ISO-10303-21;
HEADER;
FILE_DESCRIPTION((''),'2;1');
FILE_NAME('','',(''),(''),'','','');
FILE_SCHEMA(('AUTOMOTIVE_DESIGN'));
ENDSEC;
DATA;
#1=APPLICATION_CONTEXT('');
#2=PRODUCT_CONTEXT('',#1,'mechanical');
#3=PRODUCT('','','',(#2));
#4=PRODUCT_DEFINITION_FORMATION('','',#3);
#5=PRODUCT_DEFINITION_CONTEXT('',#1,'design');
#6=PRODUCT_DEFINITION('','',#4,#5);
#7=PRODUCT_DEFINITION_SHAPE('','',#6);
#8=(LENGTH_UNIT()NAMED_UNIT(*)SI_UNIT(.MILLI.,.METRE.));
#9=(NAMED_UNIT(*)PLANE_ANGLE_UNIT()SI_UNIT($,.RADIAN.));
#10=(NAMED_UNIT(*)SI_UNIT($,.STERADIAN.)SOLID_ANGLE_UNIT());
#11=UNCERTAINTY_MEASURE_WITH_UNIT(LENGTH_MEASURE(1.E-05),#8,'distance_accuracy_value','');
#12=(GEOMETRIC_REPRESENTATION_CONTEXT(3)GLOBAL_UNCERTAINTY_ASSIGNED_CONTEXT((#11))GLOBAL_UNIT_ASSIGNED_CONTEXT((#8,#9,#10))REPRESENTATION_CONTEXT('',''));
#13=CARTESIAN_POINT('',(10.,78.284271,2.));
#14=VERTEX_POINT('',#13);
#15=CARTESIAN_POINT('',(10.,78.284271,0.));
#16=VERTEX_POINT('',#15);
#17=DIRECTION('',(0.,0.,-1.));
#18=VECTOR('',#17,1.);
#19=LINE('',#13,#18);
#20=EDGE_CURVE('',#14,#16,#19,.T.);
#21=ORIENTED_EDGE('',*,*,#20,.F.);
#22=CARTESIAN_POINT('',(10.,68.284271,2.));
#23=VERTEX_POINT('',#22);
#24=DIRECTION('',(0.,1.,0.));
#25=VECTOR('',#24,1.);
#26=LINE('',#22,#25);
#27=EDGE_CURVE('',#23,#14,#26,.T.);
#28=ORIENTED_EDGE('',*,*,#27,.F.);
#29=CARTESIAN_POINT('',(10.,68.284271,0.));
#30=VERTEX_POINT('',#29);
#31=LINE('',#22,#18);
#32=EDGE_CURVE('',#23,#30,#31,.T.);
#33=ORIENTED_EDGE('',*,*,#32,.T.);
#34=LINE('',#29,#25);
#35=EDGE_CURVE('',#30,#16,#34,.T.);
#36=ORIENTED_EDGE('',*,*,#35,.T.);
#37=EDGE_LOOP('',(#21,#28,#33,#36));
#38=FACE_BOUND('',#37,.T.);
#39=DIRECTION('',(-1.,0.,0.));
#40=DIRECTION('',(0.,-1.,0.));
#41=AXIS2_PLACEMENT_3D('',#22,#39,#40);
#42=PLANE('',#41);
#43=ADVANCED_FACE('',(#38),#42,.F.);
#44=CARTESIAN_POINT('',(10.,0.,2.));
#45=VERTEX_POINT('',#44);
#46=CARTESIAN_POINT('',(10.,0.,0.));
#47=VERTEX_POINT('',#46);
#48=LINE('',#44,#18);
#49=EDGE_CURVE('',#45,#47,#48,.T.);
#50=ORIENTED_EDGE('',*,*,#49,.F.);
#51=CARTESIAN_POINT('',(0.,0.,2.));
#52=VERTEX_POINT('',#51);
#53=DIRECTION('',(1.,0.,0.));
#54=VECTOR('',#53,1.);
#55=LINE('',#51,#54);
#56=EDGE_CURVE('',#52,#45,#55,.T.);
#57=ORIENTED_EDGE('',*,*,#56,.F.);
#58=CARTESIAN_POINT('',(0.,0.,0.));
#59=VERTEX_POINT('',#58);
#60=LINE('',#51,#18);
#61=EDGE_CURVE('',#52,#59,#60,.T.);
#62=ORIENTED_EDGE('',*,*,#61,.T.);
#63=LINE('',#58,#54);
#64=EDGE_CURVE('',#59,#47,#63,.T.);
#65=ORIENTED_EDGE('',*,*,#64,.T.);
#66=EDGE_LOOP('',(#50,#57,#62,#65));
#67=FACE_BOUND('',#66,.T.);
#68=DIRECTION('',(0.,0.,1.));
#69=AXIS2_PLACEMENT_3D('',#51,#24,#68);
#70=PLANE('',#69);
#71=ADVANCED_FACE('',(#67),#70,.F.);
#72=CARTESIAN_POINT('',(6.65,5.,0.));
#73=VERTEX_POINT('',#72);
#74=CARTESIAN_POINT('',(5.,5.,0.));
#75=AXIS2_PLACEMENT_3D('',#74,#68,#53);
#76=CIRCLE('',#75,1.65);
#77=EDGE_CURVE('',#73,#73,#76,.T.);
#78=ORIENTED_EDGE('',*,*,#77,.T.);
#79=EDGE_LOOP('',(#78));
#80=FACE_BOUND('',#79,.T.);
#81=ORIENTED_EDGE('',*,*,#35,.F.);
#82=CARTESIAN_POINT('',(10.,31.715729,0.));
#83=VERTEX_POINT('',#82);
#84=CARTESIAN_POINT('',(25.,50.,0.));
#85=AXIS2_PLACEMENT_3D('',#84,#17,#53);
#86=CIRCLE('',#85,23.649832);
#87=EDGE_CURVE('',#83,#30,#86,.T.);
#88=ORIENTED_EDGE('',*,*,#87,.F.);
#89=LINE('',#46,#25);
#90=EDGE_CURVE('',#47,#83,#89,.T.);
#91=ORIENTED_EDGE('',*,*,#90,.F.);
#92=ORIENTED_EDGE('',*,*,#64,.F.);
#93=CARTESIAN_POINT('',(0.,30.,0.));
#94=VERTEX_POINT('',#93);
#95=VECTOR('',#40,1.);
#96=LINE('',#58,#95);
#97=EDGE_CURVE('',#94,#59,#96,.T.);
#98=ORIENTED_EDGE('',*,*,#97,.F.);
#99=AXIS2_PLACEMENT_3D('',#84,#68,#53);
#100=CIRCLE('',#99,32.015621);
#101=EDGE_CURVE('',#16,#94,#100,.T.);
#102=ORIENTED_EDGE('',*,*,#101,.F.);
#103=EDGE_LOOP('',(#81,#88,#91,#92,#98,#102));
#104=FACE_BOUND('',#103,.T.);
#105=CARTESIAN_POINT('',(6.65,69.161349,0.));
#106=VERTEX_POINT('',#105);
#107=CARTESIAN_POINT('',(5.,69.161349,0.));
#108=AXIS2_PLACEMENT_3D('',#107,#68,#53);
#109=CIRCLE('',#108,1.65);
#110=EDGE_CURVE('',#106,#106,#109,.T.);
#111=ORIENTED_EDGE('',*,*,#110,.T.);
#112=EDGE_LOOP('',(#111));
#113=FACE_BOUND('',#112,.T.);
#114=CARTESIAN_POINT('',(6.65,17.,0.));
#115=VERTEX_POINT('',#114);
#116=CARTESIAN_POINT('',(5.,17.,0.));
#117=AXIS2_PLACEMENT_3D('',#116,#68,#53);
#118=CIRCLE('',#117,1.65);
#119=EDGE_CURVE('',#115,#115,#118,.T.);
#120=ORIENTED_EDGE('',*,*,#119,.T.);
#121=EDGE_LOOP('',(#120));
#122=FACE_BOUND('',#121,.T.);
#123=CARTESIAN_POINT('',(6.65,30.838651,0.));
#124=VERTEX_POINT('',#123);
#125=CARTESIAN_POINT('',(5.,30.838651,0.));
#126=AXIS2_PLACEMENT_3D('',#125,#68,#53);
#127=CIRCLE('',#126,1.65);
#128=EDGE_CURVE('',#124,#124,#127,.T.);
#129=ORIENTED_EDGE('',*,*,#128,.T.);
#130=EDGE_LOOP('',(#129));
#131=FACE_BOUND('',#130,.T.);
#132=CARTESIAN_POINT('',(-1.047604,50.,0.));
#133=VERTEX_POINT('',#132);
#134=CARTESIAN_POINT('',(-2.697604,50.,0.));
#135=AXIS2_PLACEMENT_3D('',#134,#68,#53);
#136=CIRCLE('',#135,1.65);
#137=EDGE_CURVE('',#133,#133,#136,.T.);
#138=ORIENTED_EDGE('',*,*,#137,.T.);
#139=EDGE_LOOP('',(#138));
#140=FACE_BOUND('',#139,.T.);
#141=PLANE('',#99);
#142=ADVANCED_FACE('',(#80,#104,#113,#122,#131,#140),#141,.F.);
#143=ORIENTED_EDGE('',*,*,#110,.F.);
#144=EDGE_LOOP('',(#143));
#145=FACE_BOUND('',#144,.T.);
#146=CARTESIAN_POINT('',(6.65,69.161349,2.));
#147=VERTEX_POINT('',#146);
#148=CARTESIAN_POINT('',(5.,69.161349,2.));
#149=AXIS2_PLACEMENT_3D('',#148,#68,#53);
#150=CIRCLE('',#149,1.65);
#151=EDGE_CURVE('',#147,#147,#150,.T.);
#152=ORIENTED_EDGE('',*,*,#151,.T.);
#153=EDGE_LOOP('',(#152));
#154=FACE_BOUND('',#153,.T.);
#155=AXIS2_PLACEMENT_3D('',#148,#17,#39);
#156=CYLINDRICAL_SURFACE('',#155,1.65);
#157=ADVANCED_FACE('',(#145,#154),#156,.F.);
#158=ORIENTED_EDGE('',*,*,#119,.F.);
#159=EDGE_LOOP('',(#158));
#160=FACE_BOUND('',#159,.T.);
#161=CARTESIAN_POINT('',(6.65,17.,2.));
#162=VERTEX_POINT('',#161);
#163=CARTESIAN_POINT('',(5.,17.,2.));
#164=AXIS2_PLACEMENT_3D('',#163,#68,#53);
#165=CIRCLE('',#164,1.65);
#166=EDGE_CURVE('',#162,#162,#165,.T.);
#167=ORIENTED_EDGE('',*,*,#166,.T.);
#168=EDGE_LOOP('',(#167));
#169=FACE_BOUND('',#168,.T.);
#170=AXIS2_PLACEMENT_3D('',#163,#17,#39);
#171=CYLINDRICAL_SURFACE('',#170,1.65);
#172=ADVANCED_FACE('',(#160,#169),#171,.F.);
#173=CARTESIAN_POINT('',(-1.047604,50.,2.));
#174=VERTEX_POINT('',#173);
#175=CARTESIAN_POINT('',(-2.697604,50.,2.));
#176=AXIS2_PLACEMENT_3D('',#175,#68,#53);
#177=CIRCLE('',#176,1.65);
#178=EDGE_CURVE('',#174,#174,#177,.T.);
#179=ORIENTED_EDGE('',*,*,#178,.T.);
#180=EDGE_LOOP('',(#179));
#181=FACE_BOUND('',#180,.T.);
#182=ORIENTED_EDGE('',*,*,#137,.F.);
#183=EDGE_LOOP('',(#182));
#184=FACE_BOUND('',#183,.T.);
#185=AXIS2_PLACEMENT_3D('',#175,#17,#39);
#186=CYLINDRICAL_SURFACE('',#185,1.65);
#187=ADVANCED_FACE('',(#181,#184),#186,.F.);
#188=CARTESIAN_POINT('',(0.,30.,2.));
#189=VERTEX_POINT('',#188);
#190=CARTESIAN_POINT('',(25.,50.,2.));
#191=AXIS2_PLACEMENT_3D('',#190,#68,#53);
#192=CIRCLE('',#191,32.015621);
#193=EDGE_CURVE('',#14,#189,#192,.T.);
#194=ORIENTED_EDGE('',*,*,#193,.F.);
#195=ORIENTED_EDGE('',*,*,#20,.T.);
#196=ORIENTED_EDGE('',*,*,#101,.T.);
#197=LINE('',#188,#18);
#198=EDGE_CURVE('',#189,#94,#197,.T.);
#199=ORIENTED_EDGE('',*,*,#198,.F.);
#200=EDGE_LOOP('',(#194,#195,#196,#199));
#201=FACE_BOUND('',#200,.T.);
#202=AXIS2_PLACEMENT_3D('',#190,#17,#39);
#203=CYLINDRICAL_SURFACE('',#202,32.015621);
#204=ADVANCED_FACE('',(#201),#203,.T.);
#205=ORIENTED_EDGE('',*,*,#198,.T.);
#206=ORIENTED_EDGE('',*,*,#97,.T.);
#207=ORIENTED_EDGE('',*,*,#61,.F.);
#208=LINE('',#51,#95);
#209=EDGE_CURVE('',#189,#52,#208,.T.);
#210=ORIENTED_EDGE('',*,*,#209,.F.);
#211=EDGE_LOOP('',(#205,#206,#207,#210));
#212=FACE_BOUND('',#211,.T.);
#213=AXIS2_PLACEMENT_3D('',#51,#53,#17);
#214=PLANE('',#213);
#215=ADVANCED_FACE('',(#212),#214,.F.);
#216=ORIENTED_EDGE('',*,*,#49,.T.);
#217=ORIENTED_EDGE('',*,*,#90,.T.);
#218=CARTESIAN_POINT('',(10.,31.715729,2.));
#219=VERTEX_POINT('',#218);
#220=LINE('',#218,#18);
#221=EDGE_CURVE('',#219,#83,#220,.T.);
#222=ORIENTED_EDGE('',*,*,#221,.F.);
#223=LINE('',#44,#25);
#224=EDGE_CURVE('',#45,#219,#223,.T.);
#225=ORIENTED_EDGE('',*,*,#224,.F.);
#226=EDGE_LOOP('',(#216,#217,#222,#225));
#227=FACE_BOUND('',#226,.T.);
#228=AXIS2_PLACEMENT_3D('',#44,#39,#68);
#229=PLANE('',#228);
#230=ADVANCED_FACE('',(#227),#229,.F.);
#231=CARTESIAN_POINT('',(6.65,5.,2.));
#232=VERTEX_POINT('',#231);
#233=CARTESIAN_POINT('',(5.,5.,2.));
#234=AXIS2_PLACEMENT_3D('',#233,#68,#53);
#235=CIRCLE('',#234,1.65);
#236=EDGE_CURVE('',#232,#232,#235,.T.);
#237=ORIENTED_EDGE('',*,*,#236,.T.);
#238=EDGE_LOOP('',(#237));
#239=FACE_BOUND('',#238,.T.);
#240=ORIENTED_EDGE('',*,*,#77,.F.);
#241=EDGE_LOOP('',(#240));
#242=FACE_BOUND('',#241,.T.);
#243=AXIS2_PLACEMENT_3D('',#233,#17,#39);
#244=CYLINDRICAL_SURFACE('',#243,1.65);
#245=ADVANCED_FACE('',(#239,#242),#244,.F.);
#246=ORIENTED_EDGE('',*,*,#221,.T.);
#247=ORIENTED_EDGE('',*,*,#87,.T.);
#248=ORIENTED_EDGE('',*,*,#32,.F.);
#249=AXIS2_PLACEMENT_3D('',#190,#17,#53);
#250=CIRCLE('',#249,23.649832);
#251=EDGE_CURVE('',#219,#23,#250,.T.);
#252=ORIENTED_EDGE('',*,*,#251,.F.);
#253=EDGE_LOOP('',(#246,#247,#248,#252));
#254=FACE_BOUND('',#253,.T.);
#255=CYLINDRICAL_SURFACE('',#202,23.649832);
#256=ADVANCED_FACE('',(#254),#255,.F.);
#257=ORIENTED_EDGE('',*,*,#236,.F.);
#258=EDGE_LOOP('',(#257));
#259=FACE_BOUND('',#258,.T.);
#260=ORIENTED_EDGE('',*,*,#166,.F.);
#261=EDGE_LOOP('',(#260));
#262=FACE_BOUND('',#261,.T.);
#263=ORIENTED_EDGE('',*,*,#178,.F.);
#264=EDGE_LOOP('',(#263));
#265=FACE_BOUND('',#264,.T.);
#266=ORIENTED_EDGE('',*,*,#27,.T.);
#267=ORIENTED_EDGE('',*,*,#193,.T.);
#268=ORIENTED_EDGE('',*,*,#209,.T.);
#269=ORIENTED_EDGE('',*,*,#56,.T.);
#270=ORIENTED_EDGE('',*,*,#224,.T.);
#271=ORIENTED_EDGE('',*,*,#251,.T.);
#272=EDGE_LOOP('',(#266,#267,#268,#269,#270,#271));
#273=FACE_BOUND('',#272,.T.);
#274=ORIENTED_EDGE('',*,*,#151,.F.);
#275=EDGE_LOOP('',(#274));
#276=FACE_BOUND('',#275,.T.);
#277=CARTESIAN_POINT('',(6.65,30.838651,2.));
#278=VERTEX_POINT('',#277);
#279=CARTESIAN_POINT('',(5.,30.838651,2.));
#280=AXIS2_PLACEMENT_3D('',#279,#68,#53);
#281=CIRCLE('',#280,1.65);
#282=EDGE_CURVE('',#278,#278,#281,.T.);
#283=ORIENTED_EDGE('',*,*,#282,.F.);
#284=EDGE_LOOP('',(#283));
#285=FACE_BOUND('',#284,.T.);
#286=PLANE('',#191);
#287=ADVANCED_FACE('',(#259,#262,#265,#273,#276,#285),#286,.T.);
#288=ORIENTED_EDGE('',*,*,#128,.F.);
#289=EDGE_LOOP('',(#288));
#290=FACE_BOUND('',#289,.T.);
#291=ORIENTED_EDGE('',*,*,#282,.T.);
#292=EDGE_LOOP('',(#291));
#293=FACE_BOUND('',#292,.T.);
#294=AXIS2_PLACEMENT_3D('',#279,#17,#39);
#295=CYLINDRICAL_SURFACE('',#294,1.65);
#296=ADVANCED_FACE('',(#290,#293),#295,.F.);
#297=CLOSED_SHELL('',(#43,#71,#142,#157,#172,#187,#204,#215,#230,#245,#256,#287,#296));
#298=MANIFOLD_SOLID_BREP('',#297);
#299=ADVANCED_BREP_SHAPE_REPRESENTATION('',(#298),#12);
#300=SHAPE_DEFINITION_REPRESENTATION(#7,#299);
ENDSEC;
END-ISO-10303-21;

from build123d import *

# Parameters (mm, degrees)
SKETCH_1_R      = 1.65
EXTRUDE_1_DEPTH = 2


with BuildPart() as part:
    # 草图1 → 凸台-拉伸1 (new body)
    with BuildSketch(Plane.XY):
        with BuildLine():
            Line((10, 68.284271247), (10, 78.284271247))
            ThreePointArc((10, 78.284271247), (-6.350322366, 56.492864354), (0, 30))
            Line((0, 30), (0, 0))
            Line((0, 0), (10, 0))
            Line((10, 0), (10, 31.715728753))
            ThreePointArc((10, 31.715728753), (1.350167547, 50), (10, 68.284271247))
        make_face()
        with Locations((5, 5)):
            Circle(SKETCH_1_R, mode=Mode.SUBTRACT)
        with Locations((5, 17)):
            Circle(SKETCH_1_R, mode=Mode.SUBTRACT)
        with Locations((-2.697604364, 50)):
            Circle(SKETCH_1_R, mode=Mode.SUBTRACT)
        with Locations((5, 69.161348792)):
            Circle(SKETCH_1_R, mode=Mode.SUBTRACT)
        with Locations((5, 30.838651208)):
            Circle(SKETCH_1_R, mode=Mode.SUBTRACT)
    extrude(amount=EXTRUDE_1_DEPTH)


solid = part.part
